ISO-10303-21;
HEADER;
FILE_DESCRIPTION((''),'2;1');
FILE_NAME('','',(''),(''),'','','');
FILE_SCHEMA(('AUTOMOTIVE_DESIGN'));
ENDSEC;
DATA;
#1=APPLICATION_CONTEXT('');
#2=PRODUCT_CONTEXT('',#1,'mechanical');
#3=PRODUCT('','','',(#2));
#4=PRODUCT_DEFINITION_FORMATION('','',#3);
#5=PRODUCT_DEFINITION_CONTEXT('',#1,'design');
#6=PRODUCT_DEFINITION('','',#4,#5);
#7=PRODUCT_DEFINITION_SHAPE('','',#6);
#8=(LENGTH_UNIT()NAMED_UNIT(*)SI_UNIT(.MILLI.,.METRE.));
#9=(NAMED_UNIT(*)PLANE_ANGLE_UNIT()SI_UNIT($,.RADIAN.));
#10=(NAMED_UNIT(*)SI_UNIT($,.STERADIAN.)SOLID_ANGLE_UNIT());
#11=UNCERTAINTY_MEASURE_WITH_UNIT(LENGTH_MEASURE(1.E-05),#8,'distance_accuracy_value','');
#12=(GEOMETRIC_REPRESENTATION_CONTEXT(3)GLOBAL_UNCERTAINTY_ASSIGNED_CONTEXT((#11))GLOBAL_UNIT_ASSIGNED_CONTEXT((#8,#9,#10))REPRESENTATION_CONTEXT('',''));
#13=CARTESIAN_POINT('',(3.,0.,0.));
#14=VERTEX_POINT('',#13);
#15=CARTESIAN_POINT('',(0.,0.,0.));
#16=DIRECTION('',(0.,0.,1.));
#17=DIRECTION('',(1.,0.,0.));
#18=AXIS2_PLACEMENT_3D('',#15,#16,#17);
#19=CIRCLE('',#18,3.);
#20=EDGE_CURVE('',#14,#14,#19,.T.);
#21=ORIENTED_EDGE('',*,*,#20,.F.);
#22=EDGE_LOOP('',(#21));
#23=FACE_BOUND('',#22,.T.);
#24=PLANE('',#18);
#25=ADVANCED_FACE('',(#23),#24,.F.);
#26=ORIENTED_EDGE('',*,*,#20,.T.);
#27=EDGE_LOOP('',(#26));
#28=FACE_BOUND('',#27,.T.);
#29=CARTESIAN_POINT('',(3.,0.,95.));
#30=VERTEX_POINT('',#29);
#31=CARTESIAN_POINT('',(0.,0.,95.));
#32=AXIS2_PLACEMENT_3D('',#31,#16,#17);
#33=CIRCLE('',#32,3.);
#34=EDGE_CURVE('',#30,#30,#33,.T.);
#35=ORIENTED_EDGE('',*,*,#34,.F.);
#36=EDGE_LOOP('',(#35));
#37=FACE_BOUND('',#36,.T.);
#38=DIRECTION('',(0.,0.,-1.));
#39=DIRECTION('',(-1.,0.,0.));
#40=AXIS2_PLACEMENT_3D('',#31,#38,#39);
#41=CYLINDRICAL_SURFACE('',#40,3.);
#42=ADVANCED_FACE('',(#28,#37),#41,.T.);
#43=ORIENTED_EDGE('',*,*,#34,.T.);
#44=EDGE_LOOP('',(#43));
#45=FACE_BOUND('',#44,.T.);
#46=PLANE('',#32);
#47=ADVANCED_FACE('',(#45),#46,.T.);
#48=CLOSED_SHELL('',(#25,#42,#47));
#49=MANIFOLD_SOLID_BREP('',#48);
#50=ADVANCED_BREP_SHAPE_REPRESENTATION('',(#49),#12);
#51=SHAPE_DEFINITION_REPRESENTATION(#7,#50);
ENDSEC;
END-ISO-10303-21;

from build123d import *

# Parameters (mm, degrees)
ESBO_O1_R                = 3
RESSALTO_EXTRUS_O1_DEPTH = 95


with BuildPart() as part:
    # Esboço1 → Ressalto-extrusão1 (new body)
    with BuildSketch(Plane.XY):
        Circle(ESBO_O1_R)
    extrude(amount=RESSALTO_EXTRUS_O1_DEPTH)


solid = part.part
